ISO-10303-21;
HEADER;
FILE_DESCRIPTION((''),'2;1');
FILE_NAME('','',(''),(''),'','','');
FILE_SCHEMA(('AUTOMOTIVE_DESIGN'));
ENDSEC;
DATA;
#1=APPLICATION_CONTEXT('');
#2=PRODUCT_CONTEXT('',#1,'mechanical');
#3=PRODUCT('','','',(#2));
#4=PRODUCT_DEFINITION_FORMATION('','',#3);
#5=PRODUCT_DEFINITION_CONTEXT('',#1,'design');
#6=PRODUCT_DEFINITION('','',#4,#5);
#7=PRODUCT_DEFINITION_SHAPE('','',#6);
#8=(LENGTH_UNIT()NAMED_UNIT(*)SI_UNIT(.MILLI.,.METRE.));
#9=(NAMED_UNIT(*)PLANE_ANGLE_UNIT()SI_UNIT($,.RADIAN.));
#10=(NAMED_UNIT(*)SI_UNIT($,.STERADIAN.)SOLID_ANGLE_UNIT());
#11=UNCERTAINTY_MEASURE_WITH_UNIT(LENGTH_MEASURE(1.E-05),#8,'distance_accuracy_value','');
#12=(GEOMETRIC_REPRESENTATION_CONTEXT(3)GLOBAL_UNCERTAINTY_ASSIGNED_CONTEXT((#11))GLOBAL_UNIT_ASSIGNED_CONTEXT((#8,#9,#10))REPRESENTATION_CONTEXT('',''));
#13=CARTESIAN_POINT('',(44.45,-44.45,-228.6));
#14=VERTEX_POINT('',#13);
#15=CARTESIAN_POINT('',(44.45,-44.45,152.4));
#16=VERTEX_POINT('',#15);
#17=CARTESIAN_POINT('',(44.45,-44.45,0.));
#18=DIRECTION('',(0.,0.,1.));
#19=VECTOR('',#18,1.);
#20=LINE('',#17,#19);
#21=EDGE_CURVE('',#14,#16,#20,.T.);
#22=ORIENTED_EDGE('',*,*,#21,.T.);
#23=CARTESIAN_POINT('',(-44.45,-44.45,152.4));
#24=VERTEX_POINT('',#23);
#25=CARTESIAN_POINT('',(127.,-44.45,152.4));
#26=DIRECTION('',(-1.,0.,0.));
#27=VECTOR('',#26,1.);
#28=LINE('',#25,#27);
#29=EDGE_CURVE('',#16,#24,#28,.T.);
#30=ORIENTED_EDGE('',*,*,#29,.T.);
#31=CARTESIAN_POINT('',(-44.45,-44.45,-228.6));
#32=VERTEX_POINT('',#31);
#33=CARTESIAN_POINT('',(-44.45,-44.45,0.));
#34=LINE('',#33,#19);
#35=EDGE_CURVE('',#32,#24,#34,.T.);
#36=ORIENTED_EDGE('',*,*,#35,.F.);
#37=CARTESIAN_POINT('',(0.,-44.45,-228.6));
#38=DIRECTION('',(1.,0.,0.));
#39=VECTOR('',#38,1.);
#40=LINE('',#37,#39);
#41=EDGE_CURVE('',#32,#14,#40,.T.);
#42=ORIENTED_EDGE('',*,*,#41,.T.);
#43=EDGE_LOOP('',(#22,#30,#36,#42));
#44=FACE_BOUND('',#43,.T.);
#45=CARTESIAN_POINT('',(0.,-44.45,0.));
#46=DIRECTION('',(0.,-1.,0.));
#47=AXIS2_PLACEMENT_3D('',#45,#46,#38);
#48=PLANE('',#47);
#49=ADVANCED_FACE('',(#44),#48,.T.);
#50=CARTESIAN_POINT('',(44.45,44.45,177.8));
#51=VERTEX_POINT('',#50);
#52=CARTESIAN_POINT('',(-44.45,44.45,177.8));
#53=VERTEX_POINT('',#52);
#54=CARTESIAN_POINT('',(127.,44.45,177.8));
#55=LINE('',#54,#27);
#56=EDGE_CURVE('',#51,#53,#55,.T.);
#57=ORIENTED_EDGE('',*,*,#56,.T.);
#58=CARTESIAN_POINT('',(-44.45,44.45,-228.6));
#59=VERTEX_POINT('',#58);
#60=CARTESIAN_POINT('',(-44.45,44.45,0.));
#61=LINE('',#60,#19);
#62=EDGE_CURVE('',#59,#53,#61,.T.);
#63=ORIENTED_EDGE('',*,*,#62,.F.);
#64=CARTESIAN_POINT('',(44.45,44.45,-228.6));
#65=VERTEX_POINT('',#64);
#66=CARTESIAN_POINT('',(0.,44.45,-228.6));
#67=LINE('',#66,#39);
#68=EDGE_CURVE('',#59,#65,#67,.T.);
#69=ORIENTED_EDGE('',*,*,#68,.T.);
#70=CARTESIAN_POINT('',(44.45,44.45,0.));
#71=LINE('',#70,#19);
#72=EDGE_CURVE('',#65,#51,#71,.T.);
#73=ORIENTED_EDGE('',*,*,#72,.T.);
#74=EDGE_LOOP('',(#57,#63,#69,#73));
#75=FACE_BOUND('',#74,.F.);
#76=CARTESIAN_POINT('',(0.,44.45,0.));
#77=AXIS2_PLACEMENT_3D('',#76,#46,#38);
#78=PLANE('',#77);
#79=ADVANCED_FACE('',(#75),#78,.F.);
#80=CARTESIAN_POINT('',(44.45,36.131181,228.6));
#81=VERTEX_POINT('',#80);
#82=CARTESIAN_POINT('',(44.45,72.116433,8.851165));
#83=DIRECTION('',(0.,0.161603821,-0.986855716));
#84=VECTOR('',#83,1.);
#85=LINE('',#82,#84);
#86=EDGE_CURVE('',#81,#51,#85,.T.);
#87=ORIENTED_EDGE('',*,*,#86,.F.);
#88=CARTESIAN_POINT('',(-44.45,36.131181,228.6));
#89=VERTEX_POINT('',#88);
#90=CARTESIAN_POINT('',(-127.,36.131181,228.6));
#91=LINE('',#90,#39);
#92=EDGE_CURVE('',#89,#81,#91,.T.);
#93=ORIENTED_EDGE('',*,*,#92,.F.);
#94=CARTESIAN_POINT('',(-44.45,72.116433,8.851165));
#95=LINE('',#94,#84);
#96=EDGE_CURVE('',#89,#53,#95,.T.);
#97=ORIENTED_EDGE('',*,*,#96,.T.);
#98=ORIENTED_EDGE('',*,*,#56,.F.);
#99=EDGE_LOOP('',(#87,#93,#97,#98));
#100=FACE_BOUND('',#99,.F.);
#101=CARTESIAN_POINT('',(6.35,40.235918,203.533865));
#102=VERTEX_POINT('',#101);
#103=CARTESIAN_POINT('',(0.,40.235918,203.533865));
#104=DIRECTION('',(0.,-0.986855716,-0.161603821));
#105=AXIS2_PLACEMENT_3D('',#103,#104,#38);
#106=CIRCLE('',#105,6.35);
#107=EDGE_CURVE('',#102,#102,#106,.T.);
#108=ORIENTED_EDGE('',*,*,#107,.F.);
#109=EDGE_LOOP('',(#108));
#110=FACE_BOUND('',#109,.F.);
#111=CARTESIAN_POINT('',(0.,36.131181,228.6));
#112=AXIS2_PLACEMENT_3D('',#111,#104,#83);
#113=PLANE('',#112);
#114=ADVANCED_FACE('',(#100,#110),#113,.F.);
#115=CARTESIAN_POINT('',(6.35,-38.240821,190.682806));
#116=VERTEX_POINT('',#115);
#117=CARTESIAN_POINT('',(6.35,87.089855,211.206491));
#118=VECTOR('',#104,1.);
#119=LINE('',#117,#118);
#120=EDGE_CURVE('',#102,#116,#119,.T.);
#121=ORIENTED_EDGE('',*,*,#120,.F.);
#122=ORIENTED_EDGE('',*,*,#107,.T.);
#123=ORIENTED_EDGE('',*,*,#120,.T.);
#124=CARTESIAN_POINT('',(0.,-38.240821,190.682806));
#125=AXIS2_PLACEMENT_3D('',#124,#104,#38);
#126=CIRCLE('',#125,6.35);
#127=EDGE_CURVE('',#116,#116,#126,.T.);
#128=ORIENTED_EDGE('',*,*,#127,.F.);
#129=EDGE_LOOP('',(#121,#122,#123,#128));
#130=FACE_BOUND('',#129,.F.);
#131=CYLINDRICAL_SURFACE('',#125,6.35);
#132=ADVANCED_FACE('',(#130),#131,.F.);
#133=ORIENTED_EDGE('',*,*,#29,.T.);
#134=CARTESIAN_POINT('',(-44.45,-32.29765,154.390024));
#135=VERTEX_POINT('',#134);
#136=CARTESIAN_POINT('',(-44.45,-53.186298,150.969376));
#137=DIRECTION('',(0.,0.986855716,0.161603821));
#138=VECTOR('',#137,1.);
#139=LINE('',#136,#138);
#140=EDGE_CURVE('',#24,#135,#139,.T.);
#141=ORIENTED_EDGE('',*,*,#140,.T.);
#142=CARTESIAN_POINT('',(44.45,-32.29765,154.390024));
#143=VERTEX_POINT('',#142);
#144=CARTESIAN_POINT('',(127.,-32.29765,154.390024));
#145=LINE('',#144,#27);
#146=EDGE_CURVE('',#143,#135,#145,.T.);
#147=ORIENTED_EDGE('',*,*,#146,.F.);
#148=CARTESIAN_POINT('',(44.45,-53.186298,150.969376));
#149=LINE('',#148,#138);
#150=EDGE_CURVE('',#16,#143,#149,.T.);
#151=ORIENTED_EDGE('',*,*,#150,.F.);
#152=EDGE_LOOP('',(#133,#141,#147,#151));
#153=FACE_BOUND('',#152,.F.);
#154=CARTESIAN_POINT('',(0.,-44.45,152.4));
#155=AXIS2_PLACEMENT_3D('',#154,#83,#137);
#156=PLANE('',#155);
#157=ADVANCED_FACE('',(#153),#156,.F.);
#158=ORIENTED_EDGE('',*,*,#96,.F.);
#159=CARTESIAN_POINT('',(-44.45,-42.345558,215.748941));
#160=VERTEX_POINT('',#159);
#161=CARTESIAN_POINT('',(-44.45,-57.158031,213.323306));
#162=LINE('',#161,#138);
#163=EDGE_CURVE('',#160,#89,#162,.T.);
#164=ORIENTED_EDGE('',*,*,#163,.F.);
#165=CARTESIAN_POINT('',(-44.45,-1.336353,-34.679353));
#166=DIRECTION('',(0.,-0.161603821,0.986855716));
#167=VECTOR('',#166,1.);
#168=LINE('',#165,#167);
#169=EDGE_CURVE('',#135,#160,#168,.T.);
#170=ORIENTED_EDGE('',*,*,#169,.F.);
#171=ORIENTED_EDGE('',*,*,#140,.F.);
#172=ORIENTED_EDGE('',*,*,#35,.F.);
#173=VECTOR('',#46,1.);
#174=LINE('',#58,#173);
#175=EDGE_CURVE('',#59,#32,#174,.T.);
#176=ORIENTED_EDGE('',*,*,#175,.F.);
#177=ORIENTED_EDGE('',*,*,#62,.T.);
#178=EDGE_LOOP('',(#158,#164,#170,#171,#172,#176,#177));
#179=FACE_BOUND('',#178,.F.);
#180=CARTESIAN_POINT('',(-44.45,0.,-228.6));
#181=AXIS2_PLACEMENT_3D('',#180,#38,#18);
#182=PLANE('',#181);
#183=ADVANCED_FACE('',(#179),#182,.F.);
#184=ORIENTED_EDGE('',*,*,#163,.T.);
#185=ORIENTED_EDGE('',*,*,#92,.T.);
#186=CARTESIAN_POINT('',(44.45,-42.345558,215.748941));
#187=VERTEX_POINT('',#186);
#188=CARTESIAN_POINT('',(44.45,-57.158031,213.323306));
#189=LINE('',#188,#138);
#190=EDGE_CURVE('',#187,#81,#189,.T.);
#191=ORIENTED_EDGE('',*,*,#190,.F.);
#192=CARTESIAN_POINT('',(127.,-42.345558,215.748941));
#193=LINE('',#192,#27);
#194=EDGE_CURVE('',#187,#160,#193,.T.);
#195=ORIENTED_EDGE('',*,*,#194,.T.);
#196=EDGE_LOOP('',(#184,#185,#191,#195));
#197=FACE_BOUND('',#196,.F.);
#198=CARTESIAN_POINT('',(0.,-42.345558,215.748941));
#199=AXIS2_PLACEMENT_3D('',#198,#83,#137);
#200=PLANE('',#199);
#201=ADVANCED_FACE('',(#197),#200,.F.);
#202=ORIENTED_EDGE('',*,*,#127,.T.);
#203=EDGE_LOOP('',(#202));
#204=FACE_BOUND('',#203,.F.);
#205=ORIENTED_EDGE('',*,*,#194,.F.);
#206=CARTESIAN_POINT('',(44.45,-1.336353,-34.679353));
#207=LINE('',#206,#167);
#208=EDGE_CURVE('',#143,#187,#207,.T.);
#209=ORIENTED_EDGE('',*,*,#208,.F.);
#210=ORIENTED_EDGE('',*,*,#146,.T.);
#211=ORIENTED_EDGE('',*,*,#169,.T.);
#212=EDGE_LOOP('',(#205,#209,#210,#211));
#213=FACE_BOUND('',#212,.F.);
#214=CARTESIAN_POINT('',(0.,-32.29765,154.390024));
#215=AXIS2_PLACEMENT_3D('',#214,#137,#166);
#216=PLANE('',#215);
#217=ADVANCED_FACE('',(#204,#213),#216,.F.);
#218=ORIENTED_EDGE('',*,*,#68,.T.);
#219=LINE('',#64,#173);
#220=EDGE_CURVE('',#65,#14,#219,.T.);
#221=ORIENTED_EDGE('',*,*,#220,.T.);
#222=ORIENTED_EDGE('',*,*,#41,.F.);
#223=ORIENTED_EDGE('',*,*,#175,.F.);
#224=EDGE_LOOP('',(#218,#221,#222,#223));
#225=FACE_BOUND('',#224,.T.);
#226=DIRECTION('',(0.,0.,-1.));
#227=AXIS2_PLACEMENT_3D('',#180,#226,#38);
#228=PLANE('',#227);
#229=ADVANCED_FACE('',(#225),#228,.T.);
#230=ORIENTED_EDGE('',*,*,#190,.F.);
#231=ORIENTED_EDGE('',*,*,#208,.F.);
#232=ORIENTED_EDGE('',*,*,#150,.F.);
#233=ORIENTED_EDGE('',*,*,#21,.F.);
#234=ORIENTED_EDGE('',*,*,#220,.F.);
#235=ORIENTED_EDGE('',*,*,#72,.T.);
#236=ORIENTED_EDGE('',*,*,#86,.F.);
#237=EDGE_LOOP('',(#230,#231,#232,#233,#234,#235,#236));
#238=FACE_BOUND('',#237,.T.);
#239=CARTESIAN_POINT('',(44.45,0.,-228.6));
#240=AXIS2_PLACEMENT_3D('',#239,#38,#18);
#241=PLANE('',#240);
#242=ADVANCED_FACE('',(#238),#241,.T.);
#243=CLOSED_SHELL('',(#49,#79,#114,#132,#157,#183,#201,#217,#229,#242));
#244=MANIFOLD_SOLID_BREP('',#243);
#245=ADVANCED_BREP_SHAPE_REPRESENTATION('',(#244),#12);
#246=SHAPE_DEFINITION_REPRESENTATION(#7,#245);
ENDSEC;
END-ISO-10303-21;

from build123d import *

# Parameters (mm, degrees)
F0_W     = 88.9
F0_H     = 457.2
F1_DEPTH = 44.45
F3_DEPTH = 127
F4_R     = 6.35
F5_DEPTH = 127


with BuildPart() as f1:
    # F0 (on Front) → F1 (new body, symmetric)
    with BuildSketch(Plane.XZ):
        Rectangle(F0_W, F0_H)
    extrude(amount=F1_DEPTH, both=True)

    # F2 (on Right) → F3 (cut, symmetric)
    with BuildSketch(Plane.YZ):
        Polygon((44.45, 177.8), (44.45, 228.6), (36.1311809715, 228.6), align=None)
        Polygon((-42.3455583973, 215.7489410875), (36.1311809715, 228.6), (34.0267393688, 241.4510589125), (-44.45, 228.6), align=None)
        Polygon((-32.2976503157, 154.3900235786), (-42.3455583973, 215.7489410875), (-44.45, 228.6), (-44.45, 152.4), align=None)
    extrude(amount=F3_DEPTH, both=True, mode=Mode.SUBTRACT)

    # F4 (on face) → F5 (cut, symmetric)
    with BuildSketch(Plane(origin=(0, -6.8321038597, -1.1187999132), x_dir=(1, 0, 0), z_dir=(0, -0.9868557164, -0.1616038211))):
        with Locations((0, 194.3562798646)):
            Circle(F4_R)
    extrude(amount=F5_DEPTH, both=True, mode=Mode.SUBTRACT)


solid = f1.part
